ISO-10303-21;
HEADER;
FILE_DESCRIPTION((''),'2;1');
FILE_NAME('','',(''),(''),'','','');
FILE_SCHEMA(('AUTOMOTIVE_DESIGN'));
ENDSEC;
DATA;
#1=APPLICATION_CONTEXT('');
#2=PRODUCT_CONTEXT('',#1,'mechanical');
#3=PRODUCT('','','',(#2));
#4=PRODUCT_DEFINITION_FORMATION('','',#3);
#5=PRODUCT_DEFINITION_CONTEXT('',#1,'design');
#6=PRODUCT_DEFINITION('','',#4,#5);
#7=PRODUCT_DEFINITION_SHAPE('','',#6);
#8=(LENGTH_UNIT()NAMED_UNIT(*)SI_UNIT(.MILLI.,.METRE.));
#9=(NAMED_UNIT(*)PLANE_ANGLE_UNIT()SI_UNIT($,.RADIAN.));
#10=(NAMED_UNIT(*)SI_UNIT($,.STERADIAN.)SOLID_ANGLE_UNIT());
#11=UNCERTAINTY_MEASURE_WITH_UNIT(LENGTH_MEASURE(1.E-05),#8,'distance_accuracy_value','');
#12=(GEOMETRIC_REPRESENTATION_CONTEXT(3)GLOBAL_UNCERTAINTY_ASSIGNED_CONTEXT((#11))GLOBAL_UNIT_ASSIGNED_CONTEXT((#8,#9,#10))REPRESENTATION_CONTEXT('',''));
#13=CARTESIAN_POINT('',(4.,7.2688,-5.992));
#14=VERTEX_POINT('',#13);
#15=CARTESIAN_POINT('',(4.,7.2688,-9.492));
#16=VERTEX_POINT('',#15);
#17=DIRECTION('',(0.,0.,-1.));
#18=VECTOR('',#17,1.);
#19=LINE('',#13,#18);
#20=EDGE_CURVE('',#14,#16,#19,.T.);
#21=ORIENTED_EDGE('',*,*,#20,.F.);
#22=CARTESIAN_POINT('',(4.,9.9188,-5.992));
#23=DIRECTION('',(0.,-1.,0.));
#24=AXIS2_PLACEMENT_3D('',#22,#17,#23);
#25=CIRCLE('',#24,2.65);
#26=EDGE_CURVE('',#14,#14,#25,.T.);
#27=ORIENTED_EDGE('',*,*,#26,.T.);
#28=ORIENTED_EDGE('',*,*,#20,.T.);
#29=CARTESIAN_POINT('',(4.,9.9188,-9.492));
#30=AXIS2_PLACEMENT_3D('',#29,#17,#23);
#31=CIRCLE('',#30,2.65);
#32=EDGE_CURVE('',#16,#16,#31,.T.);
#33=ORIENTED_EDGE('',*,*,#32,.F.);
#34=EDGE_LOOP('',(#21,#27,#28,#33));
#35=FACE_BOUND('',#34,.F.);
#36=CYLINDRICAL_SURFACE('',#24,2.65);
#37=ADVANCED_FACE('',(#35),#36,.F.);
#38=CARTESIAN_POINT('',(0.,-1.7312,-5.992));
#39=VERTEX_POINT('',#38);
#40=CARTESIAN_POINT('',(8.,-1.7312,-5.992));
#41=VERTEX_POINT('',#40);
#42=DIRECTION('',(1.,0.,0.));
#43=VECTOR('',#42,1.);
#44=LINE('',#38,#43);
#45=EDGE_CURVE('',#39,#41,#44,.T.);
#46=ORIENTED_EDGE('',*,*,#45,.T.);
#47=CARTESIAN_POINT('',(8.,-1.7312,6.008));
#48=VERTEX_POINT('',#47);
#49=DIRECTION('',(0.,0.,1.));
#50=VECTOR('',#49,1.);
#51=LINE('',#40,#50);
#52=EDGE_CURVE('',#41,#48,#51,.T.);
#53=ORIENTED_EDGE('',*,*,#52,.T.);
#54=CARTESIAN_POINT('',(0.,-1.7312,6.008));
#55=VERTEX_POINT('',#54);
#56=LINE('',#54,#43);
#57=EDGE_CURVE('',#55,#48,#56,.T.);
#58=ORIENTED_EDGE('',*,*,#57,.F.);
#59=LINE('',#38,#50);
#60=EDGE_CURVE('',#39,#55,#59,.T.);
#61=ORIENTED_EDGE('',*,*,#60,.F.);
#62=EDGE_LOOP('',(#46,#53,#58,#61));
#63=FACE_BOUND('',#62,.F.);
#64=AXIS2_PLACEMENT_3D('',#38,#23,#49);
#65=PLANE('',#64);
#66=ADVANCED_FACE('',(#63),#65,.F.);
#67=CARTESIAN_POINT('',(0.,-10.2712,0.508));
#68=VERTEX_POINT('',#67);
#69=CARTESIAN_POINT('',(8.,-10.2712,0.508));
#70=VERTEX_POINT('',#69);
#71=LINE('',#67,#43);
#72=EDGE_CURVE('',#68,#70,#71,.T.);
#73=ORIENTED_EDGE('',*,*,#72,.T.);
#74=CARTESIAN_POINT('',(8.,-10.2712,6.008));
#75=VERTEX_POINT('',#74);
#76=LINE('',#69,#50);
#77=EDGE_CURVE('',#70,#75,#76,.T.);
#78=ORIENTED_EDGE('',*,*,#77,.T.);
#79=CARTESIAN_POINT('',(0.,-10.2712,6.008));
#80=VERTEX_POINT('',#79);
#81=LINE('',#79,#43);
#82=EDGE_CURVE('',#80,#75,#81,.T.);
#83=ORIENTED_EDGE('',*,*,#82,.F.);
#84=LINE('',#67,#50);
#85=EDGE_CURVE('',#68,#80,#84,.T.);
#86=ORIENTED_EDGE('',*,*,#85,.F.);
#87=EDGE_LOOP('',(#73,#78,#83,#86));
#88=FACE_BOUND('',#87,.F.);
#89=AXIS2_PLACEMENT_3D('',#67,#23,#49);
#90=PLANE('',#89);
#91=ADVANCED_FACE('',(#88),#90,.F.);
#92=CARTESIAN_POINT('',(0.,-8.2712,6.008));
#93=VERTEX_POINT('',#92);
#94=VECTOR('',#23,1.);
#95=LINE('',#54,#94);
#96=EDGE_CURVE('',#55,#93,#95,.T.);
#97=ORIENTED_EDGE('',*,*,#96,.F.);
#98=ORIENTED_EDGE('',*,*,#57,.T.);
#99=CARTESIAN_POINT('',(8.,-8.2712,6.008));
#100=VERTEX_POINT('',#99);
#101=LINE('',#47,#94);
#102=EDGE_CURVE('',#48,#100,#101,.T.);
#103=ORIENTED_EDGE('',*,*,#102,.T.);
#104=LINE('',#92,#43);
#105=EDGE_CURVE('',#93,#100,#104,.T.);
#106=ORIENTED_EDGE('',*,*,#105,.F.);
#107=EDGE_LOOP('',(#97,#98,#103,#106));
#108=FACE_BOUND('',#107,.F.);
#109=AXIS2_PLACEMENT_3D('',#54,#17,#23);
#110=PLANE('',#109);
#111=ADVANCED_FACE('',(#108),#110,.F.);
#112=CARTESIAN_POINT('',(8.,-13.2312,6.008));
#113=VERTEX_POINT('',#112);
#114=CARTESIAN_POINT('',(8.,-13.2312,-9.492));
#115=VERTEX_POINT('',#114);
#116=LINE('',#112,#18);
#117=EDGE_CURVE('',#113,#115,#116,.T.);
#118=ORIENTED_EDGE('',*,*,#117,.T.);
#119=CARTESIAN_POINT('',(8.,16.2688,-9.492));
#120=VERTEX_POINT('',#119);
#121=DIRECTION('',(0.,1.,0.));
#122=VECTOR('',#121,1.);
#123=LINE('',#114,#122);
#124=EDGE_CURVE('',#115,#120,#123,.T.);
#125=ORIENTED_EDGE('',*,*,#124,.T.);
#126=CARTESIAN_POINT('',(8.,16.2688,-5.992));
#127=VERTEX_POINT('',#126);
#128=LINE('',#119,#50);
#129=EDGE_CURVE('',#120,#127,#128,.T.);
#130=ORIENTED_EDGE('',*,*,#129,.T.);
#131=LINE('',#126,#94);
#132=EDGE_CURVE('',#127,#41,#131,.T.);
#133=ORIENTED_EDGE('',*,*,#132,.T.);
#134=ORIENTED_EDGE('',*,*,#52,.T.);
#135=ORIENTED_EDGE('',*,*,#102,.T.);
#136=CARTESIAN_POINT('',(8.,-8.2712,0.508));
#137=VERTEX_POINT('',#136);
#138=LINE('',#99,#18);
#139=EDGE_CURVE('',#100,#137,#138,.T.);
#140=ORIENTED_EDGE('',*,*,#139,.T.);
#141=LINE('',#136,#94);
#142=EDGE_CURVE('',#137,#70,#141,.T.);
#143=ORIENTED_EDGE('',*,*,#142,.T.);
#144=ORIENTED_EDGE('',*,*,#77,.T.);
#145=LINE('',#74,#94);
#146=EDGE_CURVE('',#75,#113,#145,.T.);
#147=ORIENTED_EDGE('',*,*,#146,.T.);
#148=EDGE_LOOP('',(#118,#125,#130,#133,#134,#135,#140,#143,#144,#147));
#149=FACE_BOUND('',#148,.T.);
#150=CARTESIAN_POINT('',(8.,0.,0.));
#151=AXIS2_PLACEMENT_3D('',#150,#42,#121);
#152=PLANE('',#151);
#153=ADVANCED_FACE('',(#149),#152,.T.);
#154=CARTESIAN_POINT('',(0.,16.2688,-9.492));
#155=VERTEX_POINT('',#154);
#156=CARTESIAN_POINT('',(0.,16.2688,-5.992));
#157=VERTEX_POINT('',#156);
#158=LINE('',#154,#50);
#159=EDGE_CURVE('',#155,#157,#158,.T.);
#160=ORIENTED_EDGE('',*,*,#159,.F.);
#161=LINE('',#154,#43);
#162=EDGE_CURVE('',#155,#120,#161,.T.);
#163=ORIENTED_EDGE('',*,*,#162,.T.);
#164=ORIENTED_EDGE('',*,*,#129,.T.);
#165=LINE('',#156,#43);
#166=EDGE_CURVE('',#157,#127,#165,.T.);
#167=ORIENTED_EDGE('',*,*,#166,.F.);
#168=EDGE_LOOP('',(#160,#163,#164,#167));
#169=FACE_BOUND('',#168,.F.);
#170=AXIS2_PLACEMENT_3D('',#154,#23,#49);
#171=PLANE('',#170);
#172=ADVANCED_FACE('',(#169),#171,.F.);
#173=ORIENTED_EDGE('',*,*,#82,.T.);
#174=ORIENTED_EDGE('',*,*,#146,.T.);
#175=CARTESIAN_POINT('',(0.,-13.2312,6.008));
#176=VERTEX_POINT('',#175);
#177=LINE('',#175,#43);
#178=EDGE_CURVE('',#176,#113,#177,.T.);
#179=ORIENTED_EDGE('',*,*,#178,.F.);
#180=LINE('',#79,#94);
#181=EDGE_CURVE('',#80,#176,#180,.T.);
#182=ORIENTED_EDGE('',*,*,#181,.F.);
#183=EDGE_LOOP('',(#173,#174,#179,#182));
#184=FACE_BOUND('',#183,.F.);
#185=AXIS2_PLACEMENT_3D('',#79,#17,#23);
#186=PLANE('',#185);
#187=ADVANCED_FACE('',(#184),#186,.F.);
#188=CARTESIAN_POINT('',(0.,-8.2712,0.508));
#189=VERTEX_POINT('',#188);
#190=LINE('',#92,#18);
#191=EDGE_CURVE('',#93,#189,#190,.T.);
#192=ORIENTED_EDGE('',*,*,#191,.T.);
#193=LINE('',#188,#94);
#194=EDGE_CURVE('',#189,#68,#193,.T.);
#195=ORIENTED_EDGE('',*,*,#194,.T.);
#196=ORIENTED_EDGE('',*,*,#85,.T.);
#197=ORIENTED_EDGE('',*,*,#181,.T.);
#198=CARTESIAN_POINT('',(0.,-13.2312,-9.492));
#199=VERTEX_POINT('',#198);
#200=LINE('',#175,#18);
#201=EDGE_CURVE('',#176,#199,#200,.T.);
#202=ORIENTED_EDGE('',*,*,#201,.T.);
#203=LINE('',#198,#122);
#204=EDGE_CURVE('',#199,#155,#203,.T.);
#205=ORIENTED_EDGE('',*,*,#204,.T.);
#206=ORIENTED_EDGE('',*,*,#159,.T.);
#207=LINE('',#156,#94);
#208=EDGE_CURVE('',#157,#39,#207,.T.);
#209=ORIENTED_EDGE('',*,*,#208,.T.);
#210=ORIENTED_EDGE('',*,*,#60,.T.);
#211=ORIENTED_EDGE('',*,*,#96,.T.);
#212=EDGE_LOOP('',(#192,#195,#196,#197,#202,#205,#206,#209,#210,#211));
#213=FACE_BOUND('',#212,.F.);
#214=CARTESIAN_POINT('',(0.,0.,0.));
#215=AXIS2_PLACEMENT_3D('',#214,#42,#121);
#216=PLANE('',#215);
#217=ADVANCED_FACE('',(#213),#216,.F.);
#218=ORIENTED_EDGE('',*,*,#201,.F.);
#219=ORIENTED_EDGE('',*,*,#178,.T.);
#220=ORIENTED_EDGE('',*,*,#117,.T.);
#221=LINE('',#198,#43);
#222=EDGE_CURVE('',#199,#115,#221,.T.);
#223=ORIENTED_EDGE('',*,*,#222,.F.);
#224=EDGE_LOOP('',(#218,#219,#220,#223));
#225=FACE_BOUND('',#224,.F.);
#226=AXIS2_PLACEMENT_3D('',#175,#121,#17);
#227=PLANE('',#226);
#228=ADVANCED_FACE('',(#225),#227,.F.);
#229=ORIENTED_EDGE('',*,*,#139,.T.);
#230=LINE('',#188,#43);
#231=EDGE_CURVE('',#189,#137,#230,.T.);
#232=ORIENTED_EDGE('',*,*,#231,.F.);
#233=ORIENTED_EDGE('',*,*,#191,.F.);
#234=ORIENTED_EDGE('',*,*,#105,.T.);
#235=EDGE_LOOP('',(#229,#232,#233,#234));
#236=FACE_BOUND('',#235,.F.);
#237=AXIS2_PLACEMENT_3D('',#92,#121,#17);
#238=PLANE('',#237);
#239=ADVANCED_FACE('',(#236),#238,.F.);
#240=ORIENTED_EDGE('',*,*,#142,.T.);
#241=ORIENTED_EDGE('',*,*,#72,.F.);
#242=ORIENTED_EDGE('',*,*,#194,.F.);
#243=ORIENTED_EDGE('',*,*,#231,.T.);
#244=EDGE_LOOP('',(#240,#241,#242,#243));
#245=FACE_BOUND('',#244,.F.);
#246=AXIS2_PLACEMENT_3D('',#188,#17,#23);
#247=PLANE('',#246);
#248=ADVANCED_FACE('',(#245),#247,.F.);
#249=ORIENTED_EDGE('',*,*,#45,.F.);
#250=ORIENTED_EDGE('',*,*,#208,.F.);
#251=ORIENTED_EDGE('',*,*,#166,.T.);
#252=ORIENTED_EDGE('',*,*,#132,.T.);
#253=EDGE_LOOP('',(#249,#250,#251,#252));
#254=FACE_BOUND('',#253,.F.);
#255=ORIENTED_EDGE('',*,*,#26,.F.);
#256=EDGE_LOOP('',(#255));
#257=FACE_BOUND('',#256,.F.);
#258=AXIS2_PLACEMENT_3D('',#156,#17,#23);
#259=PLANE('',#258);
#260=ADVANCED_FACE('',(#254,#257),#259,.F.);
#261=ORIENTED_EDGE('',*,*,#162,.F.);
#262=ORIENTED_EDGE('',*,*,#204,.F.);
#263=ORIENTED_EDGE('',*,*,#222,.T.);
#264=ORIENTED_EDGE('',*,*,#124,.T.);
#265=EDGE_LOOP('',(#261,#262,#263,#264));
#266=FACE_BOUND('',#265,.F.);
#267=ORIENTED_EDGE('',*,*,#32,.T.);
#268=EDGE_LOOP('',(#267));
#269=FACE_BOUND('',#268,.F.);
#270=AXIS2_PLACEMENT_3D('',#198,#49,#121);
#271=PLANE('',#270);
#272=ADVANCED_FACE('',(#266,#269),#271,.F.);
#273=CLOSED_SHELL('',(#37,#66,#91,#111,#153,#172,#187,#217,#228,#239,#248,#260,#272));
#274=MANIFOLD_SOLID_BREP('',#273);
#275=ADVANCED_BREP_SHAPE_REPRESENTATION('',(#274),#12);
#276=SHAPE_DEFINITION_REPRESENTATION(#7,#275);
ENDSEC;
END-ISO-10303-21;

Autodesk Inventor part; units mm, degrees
ref_plane "YZ Plane" through (0, 0, 0) normal (1, 0, 0) x (0, 1, 0)
ref_plane "XZ Plane" through (0, 0, 0) normal (0, 1, 0) x (-1, 0, 0)
ref_plane "XY Plane" through (0, 0, 0) normal (0, 0, 1) x (1, 0, 0)
sketch "Sketch2" plane through (0, 0, 0) normal (1, 0, 0) x (0, 1, 0)
  line L0 (-8.2712, 6.008) -> (-8.2712, 0.508)
  line L1 (-8.2712, 0.508) -> (-10.2712, 0.508)
  line L2 (-10.2712, 0.508) -> (-10.2712, 6.008)
  line L3 (-10.2712, 6.008) -> (-13.2312, 6.008)
  line L4 (-13.2312, 6.008) -> (-13.2312, -9.492)
  line L5 (-13.2312, -9.492) -> (16.2688, -9.492)
  line L6 (16.2688, -5.992) -> (-1.7312, -5.992)
  line L7 (-1.7312, -5.992) -> (-1.7312, 6.008)
  line L8 (16.2688, -9.492) -> (16.2688, -5.992)
  line L9 (-1.7312, 6.008) -> (-8.2712, 6.008)
  point P0 (0, 0)
  dimension "d2" = 2
  dimension "d3" = 5.5
  dimension "d4" = 15.5
  dimension "d9" = 12
  dimension "d10" = 29.5
  dimension "d11" = 24.54
  dimension "d12" = 18
  dimension "d22" = 3.5
extrude "Extrusion1" add sketch "Sketch2" along normal blind 8
sketch "Sketch3" plane through (0, -1.7312, -5.992) normal (0, 0, 1) x (1, 0, 0)
  line L0 (0, 18) -> (8, 18) projected
  line L1 (0, 0) -> (0, 18) projected
  point P0 (0, 1.7312)
  point P1 (4, 11.65)
  dimension "d13" = 6.35
  dimension "d14" = 4
hole "Hole1" at (4, 9.9188, -5.992) direction (0, 0, -1) diameter 5.3 depth 8 tip angle 118
properties part number "grip1"
